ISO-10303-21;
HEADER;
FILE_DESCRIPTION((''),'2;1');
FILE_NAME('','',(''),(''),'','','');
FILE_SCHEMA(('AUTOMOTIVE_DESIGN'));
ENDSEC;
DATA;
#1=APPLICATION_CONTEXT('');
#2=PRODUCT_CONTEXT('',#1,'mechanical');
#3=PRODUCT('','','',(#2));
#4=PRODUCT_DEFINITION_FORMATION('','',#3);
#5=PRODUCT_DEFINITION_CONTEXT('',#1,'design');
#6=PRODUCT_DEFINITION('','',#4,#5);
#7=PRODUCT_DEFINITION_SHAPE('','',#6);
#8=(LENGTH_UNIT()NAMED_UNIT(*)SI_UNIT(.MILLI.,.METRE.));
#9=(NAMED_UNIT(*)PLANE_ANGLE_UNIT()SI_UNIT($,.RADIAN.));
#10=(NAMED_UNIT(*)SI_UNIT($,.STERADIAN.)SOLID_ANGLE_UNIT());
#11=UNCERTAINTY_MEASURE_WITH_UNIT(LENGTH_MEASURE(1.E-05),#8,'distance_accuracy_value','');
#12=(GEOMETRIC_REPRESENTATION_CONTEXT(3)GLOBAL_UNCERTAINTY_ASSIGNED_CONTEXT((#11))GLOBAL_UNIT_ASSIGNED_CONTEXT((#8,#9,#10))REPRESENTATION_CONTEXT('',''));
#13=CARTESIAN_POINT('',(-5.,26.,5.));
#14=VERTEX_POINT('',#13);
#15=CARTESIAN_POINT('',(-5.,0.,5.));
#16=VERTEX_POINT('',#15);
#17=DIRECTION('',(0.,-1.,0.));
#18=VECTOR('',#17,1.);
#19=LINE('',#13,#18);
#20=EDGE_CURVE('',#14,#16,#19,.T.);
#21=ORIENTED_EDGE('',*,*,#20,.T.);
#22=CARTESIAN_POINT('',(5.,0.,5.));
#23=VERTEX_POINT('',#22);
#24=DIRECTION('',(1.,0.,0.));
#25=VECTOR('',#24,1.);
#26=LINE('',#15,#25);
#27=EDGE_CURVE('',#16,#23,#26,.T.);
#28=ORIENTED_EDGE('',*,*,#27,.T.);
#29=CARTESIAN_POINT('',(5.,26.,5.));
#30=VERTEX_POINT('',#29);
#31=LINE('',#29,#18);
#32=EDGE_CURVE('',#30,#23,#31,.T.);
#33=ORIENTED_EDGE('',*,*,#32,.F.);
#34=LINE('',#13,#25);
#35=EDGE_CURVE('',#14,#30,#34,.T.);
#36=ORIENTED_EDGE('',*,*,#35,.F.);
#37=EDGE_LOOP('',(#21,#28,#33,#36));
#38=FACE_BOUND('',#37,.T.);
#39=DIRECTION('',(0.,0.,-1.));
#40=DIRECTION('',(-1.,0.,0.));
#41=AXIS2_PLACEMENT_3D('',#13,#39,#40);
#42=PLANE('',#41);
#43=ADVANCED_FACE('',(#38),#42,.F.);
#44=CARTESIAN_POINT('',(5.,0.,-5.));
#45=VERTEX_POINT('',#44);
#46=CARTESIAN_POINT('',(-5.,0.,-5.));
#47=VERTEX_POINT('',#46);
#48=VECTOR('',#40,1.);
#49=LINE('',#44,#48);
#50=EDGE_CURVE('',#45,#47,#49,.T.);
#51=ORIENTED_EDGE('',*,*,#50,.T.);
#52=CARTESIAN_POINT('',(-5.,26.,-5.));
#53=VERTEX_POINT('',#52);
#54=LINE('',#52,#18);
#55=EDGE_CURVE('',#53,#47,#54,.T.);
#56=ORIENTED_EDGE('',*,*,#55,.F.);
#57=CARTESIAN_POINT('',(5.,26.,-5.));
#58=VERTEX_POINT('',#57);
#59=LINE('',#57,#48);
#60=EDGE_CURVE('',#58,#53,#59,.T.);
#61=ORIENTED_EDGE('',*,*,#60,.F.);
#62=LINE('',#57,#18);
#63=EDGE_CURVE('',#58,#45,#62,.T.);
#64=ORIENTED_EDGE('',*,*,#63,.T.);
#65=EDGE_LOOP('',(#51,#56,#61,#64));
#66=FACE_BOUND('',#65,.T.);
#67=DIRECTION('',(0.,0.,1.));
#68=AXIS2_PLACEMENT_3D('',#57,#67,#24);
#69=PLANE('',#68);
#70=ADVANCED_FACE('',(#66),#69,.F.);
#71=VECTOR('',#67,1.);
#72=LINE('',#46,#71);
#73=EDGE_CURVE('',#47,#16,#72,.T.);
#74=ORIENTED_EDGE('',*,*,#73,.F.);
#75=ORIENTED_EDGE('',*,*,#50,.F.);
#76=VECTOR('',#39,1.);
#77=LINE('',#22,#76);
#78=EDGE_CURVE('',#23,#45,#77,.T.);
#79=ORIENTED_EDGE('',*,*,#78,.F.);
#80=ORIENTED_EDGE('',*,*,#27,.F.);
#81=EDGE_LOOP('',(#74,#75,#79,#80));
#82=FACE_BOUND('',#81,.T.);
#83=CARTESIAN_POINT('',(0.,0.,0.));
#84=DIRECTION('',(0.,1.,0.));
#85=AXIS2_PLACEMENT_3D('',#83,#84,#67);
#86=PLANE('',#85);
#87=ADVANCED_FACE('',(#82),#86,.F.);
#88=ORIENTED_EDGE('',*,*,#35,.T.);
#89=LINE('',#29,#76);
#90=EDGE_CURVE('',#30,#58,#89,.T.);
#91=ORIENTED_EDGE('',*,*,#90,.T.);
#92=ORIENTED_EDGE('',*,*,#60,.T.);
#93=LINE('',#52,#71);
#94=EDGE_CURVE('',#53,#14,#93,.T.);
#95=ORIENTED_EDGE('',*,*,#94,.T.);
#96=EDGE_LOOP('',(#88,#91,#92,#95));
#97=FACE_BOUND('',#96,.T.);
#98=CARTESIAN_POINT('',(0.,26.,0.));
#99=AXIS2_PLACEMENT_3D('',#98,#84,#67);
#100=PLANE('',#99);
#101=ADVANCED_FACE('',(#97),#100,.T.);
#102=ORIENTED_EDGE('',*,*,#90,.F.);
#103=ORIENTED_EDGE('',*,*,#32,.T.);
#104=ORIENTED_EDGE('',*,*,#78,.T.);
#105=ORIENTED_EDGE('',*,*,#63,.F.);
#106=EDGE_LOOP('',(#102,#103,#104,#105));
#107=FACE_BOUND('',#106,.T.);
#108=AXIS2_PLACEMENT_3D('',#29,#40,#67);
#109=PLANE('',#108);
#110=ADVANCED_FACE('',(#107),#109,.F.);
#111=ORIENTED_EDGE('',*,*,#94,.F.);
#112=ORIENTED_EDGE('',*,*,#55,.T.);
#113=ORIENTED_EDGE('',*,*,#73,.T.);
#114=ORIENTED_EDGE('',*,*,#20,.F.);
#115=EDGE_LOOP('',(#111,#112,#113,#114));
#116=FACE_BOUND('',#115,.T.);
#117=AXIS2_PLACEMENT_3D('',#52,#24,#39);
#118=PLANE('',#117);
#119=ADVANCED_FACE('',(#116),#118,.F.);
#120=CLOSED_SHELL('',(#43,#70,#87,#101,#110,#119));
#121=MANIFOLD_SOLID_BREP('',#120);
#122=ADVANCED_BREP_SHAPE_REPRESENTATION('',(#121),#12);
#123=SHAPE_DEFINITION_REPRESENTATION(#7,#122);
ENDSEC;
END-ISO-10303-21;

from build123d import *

# Parameters (mm, degrees)
SK_P01_MICROFIT306POSMATED_W  = 10
SK_P01_MICROFIT306POSMATED_H  = 10
P01_MICROFIT306POSMATED_DEPTH = 26


with BuildPart() as part:
    # SK_P01_MicroFit306posmated → P01_MicroFit306posmated (new body)
    with BuildSketch(Plane(origin=(0, 0, 0), x_dir=(1, 0, 0), z_dir=(0, 1, 0))):
        Rectangle(SK_P01_MICROFIT306POSMATED_W, SK_P01_MICROFIT306POSMATED_H)
    extrude(amount=P01_MICROFIT306POSMATED_DEPTH)


solid = part.part
